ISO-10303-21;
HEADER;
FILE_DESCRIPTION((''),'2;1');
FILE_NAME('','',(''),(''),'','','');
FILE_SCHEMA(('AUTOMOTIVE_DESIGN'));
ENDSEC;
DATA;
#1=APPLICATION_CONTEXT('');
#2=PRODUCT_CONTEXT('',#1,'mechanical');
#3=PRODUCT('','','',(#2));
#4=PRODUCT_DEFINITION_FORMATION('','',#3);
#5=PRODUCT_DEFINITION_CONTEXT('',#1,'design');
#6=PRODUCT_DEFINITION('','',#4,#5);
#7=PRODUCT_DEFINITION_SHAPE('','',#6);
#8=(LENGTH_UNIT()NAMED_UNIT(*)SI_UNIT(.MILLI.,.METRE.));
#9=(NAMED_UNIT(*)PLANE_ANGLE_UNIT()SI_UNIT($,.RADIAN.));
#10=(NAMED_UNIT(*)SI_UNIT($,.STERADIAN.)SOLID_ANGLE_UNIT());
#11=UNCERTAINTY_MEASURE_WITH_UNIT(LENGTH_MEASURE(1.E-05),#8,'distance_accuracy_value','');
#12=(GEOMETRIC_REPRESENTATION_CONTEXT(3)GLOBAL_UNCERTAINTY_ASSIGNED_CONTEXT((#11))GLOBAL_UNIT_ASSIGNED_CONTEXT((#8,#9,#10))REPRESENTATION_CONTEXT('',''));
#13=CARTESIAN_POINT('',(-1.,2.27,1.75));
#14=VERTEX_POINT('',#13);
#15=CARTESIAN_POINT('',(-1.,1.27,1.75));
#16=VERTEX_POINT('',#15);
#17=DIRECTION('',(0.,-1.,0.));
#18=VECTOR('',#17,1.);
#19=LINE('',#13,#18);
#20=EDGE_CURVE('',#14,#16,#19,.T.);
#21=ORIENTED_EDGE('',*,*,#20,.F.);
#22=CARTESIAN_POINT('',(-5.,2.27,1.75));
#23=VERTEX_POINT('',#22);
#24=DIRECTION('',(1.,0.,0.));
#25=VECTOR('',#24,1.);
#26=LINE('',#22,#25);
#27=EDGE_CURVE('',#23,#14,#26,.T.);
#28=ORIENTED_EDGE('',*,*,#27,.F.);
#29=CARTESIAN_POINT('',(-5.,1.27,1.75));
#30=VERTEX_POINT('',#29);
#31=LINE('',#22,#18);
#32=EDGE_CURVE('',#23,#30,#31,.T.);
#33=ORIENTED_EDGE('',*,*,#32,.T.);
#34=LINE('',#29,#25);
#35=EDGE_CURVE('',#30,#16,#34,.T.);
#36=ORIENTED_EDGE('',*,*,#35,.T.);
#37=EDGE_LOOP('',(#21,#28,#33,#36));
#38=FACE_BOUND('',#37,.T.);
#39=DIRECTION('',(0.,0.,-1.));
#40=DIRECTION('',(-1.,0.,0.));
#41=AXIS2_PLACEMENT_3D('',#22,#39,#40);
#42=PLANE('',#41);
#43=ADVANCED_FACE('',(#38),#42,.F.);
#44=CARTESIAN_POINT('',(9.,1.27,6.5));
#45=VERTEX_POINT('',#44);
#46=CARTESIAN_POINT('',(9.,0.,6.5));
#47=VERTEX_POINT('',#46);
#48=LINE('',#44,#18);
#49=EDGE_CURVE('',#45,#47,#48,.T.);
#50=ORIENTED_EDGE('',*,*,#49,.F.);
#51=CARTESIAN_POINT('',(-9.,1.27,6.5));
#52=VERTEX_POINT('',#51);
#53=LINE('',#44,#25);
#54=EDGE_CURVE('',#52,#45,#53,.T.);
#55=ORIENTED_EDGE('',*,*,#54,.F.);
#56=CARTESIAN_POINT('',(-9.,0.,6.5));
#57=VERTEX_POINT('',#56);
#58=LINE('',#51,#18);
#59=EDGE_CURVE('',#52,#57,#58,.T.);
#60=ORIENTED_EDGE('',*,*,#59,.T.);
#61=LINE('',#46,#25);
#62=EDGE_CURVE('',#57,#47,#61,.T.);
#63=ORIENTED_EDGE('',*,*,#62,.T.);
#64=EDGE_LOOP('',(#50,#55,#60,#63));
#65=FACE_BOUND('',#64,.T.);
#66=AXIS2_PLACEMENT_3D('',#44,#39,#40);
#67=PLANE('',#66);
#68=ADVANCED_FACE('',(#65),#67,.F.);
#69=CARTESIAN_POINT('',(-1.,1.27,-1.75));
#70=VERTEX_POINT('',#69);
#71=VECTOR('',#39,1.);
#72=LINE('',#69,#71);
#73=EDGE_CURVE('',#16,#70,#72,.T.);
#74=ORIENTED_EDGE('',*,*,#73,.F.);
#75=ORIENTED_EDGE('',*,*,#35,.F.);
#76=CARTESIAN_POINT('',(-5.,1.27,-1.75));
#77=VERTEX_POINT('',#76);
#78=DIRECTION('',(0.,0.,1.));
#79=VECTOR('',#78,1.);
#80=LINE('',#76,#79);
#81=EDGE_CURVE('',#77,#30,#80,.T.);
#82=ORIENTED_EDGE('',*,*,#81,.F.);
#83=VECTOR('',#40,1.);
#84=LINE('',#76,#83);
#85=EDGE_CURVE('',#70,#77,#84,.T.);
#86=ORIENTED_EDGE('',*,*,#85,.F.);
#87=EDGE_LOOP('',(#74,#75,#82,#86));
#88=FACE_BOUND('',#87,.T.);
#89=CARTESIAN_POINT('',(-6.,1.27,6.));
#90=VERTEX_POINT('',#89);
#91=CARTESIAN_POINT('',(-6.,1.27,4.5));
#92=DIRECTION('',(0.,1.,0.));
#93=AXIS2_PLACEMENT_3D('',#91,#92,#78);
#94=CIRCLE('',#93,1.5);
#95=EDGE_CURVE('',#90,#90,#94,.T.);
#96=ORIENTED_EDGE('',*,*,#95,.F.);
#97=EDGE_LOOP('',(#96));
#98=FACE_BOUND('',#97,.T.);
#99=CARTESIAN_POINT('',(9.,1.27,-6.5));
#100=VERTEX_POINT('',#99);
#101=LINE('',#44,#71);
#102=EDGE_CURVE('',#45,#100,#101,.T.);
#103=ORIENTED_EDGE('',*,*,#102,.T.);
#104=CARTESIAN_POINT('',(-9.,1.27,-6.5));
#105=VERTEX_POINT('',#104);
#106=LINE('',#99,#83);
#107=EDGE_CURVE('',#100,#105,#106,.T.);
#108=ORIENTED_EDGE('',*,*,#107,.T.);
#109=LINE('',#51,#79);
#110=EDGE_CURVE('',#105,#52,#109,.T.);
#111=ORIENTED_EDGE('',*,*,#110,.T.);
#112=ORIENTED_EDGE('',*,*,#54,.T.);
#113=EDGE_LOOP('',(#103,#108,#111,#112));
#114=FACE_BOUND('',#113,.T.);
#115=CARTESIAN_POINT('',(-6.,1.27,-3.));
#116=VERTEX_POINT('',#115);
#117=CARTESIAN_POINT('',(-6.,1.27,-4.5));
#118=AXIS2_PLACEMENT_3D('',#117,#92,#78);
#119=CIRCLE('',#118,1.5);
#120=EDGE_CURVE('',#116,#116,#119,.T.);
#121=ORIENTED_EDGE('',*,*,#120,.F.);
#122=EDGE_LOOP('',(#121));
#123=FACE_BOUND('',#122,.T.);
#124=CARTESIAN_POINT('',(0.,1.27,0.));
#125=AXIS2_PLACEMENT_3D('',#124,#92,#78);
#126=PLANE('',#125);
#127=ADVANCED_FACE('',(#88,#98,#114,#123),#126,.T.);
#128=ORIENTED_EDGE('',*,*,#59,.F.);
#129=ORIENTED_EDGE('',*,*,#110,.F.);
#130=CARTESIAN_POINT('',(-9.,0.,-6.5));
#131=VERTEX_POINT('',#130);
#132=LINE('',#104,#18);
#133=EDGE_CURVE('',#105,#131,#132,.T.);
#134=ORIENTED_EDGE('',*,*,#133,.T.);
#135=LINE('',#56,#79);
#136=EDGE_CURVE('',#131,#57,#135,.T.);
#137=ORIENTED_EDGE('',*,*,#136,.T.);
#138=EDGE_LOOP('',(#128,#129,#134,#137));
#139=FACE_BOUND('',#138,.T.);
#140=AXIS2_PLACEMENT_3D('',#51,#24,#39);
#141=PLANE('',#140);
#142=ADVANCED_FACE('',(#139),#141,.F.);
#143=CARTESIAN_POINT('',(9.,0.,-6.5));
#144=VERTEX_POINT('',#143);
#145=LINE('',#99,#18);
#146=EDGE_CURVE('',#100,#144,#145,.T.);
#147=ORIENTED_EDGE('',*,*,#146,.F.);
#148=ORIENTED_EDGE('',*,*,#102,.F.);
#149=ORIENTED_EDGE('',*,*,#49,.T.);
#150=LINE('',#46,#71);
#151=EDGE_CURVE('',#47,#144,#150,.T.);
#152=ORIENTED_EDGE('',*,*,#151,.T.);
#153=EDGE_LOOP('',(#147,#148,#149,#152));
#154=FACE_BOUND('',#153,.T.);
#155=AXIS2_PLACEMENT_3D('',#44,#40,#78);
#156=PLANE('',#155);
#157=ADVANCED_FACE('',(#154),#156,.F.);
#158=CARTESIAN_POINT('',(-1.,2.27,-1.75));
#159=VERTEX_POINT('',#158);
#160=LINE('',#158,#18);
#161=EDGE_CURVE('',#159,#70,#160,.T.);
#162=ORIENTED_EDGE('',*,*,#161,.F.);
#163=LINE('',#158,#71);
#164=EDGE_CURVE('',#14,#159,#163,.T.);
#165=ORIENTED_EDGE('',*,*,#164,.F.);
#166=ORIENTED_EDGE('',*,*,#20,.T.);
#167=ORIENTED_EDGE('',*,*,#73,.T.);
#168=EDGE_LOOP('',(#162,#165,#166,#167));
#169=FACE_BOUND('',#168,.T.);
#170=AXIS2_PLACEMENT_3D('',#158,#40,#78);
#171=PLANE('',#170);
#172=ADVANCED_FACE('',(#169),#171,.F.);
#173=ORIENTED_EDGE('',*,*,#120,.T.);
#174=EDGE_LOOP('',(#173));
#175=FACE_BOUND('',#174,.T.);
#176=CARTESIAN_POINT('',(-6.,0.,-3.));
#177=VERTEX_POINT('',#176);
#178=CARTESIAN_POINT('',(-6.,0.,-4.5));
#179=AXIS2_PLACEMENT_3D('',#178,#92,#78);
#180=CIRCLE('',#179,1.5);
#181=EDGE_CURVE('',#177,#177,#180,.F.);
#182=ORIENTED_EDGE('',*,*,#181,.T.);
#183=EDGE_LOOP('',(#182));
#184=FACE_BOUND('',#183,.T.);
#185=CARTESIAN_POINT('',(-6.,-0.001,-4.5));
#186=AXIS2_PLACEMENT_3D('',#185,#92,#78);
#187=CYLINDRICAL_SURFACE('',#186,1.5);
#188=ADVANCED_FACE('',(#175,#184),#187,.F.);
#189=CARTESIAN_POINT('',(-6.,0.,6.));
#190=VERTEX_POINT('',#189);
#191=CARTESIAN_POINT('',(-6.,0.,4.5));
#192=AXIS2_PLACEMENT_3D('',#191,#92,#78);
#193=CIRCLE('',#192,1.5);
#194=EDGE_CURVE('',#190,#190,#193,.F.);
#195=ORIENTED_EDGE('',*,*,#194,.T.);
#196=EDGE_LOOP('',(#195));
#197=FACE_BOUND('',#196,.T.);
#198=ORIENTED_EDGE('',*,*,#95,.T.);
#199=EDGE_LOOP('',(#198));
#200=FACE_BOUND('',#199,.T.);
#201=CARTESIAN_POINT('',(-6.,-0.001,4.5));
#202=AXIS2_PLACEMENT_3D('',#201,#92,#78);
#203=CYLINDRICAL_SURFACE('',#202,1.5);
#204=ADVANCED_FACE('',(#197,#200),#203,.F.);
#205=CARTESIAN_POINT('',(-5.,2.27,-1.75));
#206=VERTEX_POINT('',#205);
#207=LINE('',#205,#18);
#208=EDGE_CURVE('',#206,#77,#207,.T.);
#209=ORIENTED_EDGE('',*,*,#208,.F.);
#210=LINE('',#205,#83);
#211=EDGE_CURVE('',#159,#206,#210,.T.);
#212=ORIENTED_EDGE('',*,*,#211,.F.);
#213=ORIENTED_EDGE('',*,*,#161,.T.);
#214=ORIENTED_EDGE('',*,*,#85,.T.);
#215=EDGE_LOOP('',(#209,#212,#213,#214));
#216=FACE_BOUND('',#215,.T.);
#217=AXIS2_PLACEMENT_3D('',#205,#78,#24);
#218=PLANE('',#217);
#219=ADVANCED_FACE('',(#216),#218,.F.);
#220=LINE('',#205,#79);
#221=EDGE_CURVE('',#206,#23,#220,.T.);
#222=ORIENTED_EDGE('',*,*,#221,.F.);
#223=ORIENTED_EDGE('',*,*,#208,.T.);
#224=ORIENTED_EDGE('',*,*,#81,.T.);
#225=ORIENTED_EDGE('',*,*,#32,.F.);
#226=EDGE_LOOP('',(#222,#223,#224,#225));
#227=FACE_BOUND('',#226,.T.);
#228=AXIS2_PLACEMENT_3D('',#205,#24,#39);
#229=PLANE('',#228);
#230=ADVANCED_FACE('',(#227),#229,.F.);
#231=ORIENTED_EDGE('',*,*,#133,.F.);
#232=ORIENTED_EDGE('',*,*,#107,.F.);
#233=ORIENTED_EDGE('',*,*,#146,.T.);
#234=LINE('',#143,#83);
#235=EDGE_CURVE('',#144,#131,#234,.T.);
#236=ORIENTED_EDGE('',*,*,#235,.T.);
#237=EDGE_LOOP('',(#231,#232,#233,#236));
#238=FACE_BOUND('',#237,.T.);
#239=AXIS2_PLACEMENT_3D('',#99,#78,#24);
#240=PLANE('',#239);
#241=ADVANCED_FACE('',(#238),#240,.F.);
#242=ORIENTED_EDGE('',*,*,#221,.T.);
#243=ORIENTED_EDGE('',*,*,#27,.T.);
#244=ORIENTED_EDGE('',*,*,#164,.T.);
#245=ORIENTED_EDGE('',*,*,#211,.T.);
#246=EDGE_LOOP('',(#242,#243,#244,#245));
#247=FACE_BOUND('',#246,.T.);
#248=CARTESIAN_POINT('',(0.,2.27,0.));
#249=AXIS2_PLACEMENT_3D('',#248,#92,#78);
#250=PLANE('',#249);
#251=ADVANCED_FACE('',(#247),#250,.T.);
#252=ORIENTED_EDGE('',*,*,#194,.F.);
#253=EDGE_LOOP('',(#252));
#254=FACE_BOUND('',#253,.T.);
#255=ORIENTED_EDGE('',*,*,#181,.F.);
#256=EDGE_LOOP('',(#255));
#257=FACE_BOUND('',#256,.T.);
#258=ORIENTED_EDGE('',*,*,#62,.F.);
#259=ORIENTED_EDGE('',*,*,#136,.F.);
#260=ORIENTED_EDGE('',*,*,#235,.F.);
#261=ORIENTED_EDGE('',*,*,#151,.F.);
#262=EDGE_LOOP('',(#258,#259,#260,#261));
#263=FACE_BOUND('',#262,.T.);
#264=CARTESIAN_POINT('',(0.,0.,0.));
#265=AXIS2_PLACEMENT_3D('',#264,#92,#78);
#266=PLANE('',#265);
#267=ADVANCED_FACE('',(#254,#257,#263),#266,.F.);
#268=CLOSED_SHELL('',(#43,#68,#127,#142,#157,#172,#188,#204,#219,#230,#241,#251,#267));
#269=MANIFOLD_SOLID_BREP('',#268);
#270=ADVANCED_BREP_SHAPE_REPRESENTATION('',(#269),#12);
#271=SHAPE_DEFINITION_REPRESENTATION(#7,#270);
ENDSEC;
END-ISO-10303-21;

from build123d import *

# Parameters (mm, degrees)
SKETCH1_W           = 18
SKETCH1_H           = 13
BOSS_EXTRUDE1_DEPTH = 1.27
CUT_EXTRUDE1_REACH  = 13.174
SKETCH2_R           = 1.5
CUT_EXTRUDE2_REACH  = 13.174
SKETCH3_R           = 1.5
SKETCH4_W           = 4
SKETCH4_H           = 3.5
BOSS_EXTRUDE2_DEPTH = 1


with BuildPart() as part:
    # Sketch1 → Boss-Extrude1 (new body)
    with BuildSketch(Plane(origin=(0, 0, 0), x_dir=(1, 0, 0), z_dir=(0, 1, 0))):
        Rectangle(SKETCH1_W, SKETCH1_H)
    extrude(amount=BOSS_EXTRUDE1_DEPTH)

    # Sketch2 → Cut-Extrude1 (cut, up to next)
    with BuildSketch(Plane(origin=(0, 1.27, 0), x_dir=(1, 0, 0), z_dir=(0, 1, 0)), mode=Mode.PRIVATE) as cut_extrude1_sk1:
        with Locations(Location((-6, 4.5, 0), (0, 0, 270))):
            Circle(SKETCH2_R)
    cut_extrude1_tool1 = extrude(cut_extrude1_sk1.sketch, amount=-CUT_EXTRUDE1_REACH, mode=Mode.PRIVATE) & part.part
    add(cut_extrude1_tool1.solids().sort_by_distance((-6, 1.27, -4.5))[0], mode=Mode.SUBTRACT)

    # Sketch3 → Cut-Extrude2 (cut, up to next)
    with BuildSketch(Plane(origin=(0, 1.27, 0), x_dir=(1, 0, 0), z_dir=(0, 1, 0)), mode=Mode.PRIVATE) as cut_extrude2_sk1:
        with Locations(Location((-6, -4.5, 0), (0, 0, 270))):
            Circle(SKETCH3_R)
    cut_extrude2_tool1 = extrude(cut_extrude2_sk1.sketch, amount=-CUT_EXTRUDE2_REACH, mode=Mode.PRIVATE) & part.part
    add(cut_extrude2_tool1.solids().sort_by_distance((-6, 1.27, 4.5))[0], mode=Mode.SUBTRACT)

    # Sketch4 → Boss-Extrude2 (add)
    with BuildSketch(Plane(origin=(0, 1.27, 0), x_dir=(1, 0, 0), z_dir=(0, 1, 0))):
        with Locations((-3, 0)):
            Rectangle(SKETCH4_W, SKETCH4_H)
    extrude(amount=BOSS_EXTRUDE2_DEPTH)


solid = part.part
